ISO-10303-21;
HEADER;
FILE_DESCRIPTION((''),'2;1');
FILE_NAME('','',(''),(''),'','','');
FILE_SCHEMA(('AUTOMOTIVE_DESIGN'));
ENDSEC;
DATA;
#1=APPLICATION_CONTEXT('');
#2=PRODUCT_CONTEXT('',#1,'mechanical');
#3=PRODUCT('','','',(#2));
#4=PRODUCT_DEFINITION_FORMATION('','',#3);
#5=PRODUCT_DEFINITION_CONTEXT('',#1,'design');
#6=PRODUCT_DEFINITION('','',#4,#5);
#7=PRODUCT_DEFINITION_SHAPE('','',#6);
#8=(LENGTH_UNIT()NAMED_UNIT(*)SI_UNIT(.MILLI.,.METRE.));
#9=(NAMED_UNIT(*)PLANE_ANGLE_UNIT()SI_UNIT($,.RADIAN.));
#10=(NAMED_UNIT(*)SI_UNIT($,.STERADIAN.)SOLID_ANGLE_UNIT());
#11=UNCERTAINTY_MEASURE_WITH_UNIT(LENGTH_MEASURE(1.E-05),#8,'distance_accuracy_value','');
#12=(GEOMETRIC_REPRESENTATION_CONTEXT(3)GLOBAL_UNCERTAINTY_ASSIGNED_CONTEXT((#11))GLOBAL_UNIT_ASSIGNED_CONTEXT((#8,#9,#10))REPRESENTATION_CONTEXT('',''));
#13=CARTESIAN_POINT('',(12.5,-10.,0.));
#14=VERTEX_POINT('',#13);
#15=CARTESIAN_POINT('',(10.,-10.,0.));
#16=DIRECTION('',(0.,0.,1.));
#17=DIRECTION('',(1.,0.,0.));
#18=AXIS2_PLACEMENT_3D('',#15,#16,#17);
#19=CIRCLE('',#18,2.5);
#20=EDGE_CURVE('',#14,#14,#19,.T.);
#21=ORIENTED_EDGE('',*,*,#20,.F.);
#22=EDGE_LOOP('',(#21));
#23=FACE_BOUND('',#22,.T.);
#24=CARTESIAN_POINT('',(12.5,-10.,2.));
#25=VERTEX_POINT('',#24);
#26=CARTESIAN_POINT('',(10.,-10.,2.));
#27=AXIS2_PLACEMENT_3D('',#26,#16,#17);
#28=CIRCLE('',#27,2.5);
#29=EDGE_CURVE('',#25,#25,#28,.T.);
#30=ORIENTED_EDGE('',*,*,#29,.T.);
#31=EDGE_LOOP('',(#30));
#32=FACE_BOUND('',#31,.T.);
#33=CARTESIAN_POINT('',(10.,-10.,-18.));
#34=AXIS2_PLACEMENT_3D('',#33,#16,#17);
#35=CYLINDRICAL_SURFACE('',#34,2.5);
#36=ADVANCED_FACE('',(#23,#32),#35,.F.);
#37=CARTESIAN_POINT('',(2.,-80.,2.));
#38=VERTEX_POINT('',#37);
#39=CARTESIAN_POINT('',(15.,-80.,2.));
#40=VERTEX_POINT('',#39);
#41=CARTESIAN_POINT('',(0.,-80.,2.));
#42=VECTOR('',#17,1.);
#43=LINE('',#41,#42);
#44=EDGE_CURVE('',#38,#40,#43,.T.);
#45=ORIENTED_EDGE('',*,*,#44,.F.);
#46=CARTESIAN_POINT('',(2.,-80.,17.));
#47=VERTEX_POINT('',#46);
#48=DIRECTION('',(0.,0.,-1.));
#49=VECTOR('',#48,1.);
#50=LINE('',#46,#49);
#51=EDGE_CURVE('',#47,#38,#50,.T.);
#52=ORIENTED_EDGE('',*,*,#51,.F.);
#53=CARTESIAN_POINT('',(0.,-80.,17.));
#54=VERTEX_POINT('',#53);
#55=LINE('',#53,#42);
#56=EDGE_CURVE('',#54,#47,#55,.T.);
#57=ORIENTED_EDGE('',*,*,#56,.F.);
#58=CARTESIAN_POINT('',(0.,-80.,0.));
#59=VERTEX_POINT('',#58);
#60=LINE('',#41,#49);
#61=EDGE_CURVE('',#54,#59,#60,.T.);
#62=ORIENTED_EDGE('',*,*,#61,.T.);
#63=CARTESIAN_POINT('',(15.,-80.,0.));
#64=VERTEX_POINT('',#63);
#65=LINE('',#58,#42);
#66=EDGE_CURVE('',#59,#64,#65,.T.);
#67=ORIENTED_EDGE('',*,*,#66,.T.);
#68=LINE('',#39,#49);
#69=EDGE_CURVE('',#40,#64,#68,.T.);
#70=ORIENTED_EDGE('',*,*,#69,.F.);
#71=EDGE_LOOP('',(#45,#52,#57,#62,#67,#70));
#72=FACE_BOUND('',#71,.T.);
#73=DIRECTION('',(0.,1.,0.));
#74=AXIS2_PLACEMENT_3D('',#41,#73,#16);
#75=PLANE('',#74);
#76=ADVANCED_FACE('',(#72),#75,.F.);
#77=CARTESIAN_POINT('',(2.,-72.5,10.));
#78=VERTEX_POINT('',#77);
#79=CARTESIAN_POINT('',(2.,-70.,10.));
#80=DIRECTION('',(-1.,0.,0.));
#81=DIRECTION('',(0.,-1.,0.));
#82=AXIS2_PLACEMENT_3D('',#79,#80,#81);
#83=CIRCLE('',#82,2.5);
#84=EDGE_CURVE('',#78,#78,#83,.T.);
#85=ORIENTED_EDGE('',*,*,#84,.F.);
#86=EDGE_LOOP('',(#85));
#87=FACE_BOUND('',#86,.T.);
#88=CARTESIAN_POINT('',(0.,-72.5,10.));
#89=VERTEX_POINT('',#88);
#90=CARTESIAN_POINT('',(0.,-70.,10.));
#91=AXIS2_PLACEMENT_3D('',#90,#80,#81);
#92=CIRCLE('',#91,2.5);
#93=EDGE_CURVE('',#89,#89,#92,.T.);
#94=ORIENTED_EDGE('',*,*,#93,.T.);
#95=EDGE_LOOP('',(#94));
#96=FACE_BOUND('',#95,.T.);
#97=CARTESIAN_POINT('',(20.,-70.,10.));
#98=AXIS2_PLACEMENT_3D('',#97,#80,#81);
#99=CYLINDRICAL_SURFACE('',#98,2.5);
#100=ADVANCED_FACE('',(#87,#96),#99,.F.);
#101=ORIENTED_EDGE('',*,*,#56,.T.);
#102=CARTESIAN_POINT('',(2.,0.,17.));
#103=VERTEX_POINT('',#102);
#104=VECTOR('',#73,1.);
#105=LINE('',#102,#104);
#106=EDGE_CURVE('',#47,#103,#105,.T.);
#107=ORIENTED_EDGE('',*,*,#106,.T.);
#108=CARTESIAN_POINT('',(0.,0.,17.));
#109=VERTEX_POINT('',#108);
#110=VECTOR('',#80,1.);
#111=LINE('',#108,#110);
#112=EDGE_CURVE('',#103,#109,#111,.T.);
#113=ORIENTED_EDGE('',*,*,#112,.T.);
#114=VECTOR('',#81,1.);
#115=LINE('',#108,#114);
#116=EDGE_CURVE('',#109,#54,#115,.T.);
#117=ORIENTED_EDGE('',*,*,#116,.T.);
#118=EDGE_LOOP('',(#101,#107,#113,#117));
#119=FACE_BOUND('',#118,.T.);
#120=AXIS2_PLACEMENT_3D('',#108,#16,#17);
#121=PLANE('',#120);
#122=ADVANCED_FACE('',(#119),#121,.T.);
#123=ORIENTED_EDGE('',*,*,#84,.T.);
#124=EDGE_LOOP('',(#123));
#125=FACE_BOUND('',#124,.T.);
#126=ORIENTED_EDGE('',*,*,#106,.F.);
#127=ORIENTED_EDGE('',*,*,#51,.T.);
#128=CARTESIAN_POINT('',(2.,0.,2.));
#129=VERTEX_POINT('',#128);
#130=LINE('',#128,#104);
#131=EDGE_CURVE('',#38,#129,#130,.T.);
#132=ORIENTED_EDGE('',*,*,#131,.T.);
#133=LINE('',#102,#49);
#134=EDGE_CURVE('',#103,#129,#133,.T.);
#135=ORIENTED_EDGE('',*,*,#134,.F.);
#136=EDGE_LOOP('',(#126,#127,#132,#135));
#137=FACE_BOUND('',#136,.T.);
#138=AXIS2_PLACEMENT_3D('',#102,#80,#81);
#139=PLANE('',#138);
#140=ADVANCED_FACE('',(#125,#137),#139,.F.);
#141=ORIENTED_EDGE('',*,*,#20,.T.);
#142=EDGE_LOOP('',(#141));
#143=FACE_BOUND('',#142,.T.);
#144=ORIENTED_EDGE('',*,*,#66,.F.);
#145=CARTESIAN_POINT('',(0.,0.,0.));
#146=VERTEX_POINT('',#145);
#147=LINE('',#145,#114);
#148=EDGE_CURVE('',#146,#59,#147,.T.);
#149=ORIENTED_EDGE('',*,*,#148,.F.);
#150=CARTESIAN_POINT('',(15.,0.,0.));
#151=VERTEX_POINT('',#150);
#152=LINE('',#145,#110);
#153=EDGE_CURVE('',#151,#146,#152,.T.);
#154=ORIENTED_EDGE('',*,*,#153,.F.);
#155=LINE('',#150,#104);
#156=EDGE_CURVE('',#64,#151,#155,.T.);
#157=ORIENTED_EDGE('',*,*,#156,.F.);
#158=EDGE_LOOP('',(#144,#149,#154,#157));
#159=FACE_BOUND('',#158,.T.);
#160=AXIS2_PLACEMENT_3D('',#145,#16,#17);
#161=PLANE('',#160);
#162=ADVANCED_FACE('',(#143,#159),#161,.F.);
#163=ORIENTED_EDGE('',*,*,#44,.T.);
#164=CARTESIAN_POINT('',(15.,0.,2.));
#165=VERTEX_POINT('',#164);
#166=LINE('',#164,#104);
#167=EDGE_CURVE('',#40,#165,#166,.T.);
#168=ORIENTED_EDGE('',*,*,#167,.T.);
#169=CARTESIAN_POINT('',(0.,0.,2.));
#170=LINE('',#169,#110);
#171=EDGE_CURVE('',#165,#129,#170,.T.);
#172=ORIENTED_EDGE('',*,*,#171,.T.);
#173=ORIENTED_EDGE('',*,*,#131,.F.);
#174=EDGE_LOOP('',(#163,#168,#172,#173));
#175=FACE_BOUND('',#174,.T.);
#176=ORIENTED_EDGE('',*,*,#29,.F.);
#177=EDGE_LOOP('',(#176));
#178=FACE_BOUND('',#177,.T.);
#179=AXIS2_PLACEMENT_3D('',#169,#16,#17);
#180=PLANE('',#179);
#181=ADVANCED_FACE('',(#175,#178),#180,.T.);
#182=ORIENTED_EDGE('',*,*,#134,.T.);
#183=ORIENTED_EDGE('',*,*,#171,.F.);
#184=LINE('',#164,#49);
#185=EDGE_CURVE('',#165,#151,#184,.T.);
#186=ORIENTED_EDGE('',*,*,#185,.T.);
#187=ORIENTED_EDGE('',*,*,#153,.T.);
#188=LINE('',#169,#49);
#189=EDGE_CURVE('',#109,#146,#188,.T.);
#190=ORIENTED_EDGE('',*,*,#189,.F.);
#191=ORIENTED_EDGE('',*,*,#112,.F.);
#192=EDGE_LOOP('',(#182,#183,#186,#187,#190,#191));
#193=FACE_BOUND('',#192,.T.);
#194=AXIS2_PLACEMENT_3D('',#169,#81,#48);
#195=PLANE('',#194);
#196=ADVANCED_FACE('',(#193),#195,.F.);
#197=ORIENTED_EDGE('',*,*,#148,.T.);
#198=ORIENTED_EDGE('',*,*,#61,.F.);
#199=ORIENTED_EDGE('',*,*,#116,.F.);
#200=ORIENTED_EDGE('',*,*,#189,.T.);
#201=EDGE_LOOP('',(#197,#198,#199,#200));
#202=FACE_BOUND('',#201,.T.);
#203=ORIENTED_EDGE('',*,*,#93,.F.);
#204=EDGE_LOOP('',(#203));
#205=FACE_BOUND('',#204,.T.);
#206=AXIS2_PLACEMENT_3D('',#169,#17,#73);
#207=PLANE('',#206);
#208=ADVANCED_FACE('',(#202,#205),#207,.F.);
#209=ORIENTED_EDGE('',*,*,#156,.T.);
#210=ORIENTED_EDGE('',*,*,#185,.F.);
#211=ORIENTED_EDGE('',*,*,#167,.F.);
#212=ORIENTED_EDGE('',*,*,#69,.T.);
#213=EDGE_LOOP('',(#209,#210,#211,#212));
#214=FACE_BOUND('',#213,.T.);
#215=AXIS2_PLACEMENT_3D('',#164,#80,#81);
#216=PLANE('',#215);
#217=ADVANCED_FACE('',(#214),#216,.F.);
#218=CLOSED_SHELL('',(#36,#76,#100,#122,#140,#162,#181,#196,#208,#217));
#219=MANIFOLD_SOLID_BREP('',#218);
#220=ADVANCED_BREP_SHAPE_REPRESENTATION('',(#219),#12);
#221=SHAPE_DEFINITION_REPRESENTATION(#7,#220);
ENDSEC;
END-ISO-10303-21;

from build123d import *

# Parameters (mm, degrees)
ESQUISSE1_W             = 15
ESQUISSE1_H             = 80
BOSS_EXTRU_1_DEPTH      = 2
ESQUISSE2_W             = 2
ESQUISSE2_H             = 80
BOSS_EXTRU_2_DEPTH      = 15
ESQUISSE3_R             = 2.5
ENL_V_MAT_EXTRU_1_DEPTH = 20
ESQUISSE4_R             = 2.5
ENL_V_MAT_EXTRU_2_DEPTH = 20


with BuildPart() as part:
    # Esquisse1 → Boss.-Extru.1 (new body)
    with BuildSketch(Plane.XY):
        with Locations((7.5, -40)):
            Rectangle(ESQUISSE1_W, ESQUISSE1_H)
    extrude(amount=BOSS_EXTRU_1_DEPTH)

    # Esquisse2 → Boss.-Extru.2 (add)
    with BuildSketch(Plane.XY.offset(2)):
        with Locations((1, -40)):
            Rectangle(ESQUISSE2_W, ESQUISSE2_H)
    extrude(amount=BOSS_EXTRU_2_DEPTH)

    # Esquisse3 → Enlèv. mat.-Extru.1 (cut)
    with BuildSketch(Plane.XY.offset(2)):
        with Locations((10, -10)):
            Circle(ESQUISSE3_R)
    extrude(amount=-ENL_V_MAT_EXTRU_1_DEPTH, mode=Mode.SUBTRACT)

    # Esquisse4 → Enlèv. mat.-Extru.2 (cut)
    with BuildSketch(Plane.ZY):
        with Locations(Location((10, -70, 0), (0, 0, 270))):
            Circle(ESQUISSE4_R)
    extrude(amount=-ENL_V_MAT_EXTRU_2_DEPTH, mode=Mode.SUBTRACT)


solid = part.part
